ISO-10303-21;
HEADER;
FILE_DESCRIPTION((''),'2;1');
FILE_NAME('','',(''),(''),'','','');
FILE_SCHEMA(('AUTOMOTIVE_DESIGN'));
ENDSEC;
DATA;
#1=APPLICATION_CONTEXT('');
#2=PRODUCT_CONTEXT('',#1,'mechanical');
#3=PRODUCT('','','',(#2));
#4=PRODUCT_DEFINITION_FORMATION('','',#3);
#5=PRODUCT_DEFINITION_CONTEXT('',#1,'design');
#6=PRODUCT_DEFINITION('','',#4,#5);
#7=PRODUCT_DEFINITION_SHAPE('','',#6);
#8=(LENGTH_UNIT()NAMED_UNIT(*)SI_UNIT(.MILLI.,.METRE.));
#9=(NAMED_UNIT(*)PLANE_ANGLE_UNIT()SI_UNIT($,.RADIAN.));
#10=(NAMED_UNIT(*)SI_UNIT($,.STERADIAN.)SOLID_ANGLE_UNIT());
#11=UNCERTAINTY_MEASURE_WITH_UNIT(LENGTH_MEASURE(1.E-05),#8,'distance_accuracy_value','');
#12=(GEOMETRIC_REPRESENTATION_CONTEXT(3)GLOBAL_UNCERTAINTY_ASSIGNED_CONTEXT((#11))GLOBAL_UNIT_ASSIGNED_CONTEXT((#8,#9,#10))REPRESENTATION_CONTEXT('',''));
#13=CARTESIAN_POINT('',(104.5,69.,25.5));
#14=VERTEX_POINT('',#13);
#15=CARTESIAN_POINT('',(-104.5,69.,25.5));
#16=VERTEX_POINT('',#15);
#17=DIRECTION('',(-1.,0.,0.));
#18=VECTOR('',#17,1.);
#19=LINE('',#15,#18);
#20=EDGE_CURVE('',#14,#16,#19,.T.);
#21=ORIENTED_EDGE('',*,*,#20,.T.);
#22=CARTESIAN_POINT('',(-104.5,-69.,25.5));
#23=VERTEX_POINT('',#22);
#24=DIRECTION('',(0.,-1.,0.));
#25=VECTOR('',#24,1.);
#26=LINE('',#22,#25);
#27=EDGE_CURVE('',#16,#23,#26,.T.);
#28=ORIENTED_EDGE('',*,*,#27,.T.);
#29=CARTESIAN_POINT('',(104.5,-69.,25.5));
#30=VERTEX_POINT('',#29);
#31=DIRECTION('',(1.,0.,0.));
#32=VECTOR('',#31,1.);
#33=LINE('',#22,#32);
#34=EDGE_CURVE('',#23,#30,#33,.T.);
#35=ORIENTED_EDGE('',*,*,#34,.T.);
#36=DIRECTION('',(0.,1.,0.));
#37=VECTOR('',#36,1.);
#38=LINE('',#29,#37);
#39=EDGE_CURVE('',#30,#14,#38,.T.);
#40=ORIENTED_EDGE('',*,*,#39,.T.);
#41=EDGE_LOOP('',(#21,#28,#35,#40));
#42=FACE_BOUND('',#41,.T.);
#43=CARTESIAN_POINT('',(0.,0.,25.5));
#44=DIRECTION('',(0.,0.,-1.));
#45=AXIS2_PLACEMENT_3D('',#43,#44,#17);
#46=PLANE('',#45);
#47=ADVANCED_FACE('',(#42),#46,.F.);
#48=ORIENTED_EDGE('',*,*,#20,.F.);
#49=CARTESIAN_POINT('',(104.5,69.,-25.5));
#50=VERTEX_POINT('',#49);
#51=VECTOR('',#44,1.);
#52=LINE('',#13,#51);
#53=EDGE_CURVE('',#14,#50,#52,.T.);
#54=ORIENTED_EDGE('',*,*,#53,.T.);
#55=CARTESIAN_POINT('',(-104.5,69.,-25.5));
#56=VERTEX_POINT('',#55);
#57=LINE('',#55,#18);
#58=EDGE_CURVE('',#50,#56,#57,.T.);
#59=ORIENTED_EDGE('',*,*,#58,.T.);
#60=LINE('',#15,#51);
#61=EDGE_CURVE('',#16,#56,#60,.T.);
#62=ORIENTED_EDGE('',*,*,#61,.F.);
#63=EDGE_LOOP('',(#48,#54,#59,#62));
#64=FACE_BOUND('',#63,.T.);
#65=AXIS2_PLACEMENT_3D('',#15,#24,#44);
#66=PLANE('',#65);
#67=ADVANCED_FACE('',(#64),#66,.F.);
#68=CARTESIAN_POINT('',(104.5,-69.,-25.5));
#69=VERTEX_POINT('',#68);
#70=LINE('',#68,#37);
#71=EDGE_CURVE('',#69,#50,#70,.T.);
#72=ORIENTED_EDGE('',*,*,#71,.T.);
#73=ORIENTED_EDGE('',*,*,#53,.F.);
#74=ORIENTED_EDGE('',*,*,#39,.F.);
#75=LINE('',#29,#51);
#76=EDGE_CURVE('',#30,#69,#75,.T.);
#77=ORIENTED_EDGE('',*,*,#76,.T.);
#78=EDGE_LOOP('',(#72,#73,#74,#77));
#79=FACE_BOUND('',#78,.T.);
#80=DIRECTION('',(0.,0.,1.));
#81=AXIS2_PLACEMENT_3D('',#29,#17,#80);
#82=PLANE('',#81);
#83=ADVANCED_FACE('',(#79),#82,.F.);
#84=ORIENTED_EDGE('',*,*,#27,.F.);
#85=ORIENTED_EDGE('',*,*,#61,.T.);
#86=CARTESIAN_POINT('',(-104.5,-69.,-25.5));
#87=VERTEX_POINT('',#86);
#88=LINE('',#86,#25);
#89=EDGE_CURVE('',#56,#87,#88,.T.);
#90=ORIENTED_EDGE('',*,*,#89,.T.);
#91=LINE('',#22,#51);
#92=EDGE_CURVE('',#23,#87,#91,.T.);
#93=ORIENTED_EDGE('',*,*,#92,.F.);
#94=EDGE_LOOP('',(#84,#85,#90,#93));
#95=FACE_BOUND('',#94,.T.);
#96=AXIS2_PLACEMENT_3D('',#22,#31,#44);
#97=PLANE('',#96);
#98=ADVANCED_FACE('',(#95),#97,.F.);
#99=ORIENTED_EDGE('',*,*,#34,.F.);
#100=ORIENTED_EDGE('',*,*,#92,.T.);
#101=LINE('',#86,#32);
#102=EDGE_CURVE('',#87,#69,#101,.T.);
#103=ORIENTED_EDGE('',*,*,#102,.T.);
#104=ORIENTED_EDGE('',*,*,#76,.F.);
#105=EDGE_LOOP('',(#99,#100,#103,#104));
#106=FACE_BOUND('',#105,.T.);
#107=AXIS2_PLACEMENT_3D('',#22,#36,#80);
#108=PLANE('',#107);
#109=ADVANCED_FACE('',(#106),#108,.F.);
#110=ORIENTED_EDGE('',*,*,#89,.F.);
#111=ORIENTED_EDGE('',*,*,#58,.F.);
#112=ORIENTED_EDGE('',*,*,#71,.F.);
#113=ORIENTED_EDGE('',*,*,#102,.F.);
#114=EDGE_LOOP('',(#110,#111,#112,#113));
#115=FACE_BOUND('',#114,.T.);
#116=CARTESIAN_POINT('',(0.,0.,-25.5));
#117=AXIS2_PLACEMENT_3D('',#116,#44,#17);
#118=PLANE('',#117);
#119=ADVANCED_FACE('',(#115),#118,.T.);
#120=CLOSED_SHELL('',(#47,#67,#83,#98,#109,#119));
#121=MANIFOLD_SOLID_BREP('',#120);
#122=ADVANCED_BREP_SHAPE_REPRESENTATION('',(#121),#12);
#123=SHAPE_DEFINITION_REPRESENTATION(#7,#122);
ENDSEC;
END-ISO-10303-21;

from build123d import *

# Parameters (mm, degrees)
SKETCH1_W           = 209
SKETCH1_H           = 138
BOSS_EXTRUDE1_DEPTH = 25.5


with BuildPart() as part:
    # Sketch1 → Boss-Extrude1 (new, symmetric)
    with BuildSketch(Plane.XY):
        Rectangle(SKETCH1_W, SKETCH1_H)
    extrude(amount=BOSS_EXTRUDE1_DEPTH, both=True)


solid = part.part
